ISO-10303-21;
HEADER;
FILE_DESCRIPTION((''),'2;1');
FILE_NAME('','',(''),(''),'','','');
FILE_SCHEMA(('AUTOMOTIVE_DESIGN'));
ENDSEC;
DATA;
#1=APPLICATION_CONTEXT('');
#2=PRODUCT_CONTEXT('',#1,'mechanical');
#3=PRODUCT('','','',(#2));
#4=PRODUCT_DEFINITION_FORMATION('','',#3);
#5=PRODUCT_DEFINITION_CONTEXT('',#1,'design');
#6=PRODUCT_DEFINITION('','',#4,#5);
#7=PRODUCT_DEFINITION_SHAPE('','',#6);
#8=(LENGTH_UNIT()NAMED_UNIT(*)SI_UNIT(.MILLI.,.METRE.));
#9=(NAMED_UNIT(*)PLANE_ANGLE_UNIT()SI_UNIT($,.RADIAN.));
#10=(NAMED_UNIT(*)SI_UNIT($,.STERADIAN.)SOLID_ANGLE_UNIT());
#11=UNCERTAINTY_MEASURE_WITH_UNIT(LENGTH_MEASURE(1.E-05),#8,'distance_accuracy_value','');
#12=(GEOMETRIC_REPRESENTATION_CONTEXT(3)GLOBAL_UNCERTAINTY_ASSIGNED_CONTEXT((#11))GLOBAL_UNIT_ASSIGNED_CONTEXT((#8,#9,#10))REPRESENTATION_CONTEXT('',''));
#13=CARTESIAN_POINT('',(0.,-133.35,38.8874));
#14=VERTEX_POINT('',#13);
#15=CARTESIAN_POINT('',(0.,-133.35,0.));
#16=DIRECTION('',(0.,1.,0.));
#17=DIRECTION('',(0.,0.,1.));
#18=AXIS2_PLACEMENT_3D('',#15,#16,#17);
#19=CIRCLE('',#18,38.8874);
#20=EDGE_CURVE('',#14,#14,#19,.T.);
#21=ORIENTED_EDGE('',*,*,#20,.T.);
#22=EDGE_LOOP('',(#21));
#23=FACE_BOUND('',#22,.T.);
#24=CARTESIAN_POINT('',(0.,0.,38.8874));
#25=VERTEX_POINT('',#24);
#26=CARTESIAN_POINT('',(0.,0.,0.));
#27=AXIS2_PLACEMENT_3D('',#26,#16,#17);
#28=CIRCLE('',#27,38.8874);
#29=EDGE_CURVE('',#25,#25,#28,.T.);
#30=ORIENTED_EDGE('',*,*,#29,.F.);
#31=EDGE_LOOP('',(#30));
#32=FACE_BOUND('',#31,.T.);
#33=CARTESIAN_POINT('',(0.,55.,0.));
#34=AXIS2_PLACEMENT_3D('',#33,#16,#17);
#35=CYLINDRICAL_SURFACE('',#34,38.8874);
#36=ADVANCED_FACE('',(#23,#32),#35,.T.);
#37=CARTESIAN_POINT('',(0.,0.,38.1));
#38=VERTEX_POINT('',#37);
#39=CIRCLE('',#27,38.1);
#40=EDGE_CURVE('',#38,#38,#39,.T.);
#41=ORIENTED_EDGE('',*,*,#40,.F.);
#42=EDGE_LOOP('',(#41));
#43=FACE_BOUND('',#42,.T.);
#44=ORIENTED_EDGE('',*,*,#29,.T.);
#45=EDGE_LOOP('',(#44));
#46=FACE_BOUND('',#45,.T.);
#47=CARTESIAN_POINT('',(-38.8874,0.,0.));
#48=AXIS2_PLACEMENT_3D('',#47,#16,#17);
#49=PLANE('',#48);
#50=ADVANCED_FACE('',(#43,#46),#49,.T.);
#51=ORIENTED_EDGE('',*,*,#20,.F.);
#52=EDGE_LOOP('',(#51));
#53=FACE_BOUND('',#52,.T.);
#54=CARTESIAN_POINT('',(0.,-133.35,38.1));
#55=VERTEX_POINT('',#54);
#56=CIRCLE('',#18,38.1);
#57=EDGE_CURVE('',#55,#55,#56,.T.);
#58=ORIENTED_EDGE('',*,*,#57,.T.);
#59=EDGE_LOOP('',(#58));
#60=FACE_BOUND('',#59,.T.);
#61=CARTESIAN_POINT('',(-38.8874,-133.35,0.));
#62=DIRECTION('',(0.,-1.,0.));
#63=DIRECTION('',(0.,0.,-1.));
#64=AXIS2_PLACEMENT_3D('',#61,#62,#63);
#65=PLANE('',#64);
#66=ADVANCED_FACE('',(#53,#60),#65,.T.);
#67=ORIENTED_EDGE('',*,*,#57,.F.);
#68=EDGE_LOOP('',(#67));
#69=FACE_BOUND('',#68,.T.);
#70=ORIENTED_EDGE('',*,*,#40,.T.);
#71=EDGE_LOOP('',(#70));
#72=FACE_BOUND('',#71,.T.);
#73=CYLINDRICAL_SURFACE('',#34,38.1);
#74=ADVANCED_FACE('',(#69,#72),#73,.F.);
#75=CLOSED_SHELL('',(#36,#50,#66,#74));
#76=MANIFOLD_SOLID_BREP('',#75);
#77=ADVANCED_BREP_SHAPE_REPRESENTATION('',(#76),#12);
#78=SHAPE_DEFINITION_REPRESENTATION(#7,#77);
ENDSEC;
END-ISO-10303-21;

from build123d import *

# Parameters (mm, degrees)
SKETCH2_W = 0.7874
SKETCH2_H = 133.35


with BuildPart() as part:
    # Sketch2 → Revolve1 (revolve)
    with BuildSketch(Plane.XY):
        with Locations((-38.4937, -66.675)):
            Rectangle(SKETCH2_W, SKETCH2_H)
    revolve(axis=Axis((0, 55, 0), (0, -1, 0)))


solid = part.part
